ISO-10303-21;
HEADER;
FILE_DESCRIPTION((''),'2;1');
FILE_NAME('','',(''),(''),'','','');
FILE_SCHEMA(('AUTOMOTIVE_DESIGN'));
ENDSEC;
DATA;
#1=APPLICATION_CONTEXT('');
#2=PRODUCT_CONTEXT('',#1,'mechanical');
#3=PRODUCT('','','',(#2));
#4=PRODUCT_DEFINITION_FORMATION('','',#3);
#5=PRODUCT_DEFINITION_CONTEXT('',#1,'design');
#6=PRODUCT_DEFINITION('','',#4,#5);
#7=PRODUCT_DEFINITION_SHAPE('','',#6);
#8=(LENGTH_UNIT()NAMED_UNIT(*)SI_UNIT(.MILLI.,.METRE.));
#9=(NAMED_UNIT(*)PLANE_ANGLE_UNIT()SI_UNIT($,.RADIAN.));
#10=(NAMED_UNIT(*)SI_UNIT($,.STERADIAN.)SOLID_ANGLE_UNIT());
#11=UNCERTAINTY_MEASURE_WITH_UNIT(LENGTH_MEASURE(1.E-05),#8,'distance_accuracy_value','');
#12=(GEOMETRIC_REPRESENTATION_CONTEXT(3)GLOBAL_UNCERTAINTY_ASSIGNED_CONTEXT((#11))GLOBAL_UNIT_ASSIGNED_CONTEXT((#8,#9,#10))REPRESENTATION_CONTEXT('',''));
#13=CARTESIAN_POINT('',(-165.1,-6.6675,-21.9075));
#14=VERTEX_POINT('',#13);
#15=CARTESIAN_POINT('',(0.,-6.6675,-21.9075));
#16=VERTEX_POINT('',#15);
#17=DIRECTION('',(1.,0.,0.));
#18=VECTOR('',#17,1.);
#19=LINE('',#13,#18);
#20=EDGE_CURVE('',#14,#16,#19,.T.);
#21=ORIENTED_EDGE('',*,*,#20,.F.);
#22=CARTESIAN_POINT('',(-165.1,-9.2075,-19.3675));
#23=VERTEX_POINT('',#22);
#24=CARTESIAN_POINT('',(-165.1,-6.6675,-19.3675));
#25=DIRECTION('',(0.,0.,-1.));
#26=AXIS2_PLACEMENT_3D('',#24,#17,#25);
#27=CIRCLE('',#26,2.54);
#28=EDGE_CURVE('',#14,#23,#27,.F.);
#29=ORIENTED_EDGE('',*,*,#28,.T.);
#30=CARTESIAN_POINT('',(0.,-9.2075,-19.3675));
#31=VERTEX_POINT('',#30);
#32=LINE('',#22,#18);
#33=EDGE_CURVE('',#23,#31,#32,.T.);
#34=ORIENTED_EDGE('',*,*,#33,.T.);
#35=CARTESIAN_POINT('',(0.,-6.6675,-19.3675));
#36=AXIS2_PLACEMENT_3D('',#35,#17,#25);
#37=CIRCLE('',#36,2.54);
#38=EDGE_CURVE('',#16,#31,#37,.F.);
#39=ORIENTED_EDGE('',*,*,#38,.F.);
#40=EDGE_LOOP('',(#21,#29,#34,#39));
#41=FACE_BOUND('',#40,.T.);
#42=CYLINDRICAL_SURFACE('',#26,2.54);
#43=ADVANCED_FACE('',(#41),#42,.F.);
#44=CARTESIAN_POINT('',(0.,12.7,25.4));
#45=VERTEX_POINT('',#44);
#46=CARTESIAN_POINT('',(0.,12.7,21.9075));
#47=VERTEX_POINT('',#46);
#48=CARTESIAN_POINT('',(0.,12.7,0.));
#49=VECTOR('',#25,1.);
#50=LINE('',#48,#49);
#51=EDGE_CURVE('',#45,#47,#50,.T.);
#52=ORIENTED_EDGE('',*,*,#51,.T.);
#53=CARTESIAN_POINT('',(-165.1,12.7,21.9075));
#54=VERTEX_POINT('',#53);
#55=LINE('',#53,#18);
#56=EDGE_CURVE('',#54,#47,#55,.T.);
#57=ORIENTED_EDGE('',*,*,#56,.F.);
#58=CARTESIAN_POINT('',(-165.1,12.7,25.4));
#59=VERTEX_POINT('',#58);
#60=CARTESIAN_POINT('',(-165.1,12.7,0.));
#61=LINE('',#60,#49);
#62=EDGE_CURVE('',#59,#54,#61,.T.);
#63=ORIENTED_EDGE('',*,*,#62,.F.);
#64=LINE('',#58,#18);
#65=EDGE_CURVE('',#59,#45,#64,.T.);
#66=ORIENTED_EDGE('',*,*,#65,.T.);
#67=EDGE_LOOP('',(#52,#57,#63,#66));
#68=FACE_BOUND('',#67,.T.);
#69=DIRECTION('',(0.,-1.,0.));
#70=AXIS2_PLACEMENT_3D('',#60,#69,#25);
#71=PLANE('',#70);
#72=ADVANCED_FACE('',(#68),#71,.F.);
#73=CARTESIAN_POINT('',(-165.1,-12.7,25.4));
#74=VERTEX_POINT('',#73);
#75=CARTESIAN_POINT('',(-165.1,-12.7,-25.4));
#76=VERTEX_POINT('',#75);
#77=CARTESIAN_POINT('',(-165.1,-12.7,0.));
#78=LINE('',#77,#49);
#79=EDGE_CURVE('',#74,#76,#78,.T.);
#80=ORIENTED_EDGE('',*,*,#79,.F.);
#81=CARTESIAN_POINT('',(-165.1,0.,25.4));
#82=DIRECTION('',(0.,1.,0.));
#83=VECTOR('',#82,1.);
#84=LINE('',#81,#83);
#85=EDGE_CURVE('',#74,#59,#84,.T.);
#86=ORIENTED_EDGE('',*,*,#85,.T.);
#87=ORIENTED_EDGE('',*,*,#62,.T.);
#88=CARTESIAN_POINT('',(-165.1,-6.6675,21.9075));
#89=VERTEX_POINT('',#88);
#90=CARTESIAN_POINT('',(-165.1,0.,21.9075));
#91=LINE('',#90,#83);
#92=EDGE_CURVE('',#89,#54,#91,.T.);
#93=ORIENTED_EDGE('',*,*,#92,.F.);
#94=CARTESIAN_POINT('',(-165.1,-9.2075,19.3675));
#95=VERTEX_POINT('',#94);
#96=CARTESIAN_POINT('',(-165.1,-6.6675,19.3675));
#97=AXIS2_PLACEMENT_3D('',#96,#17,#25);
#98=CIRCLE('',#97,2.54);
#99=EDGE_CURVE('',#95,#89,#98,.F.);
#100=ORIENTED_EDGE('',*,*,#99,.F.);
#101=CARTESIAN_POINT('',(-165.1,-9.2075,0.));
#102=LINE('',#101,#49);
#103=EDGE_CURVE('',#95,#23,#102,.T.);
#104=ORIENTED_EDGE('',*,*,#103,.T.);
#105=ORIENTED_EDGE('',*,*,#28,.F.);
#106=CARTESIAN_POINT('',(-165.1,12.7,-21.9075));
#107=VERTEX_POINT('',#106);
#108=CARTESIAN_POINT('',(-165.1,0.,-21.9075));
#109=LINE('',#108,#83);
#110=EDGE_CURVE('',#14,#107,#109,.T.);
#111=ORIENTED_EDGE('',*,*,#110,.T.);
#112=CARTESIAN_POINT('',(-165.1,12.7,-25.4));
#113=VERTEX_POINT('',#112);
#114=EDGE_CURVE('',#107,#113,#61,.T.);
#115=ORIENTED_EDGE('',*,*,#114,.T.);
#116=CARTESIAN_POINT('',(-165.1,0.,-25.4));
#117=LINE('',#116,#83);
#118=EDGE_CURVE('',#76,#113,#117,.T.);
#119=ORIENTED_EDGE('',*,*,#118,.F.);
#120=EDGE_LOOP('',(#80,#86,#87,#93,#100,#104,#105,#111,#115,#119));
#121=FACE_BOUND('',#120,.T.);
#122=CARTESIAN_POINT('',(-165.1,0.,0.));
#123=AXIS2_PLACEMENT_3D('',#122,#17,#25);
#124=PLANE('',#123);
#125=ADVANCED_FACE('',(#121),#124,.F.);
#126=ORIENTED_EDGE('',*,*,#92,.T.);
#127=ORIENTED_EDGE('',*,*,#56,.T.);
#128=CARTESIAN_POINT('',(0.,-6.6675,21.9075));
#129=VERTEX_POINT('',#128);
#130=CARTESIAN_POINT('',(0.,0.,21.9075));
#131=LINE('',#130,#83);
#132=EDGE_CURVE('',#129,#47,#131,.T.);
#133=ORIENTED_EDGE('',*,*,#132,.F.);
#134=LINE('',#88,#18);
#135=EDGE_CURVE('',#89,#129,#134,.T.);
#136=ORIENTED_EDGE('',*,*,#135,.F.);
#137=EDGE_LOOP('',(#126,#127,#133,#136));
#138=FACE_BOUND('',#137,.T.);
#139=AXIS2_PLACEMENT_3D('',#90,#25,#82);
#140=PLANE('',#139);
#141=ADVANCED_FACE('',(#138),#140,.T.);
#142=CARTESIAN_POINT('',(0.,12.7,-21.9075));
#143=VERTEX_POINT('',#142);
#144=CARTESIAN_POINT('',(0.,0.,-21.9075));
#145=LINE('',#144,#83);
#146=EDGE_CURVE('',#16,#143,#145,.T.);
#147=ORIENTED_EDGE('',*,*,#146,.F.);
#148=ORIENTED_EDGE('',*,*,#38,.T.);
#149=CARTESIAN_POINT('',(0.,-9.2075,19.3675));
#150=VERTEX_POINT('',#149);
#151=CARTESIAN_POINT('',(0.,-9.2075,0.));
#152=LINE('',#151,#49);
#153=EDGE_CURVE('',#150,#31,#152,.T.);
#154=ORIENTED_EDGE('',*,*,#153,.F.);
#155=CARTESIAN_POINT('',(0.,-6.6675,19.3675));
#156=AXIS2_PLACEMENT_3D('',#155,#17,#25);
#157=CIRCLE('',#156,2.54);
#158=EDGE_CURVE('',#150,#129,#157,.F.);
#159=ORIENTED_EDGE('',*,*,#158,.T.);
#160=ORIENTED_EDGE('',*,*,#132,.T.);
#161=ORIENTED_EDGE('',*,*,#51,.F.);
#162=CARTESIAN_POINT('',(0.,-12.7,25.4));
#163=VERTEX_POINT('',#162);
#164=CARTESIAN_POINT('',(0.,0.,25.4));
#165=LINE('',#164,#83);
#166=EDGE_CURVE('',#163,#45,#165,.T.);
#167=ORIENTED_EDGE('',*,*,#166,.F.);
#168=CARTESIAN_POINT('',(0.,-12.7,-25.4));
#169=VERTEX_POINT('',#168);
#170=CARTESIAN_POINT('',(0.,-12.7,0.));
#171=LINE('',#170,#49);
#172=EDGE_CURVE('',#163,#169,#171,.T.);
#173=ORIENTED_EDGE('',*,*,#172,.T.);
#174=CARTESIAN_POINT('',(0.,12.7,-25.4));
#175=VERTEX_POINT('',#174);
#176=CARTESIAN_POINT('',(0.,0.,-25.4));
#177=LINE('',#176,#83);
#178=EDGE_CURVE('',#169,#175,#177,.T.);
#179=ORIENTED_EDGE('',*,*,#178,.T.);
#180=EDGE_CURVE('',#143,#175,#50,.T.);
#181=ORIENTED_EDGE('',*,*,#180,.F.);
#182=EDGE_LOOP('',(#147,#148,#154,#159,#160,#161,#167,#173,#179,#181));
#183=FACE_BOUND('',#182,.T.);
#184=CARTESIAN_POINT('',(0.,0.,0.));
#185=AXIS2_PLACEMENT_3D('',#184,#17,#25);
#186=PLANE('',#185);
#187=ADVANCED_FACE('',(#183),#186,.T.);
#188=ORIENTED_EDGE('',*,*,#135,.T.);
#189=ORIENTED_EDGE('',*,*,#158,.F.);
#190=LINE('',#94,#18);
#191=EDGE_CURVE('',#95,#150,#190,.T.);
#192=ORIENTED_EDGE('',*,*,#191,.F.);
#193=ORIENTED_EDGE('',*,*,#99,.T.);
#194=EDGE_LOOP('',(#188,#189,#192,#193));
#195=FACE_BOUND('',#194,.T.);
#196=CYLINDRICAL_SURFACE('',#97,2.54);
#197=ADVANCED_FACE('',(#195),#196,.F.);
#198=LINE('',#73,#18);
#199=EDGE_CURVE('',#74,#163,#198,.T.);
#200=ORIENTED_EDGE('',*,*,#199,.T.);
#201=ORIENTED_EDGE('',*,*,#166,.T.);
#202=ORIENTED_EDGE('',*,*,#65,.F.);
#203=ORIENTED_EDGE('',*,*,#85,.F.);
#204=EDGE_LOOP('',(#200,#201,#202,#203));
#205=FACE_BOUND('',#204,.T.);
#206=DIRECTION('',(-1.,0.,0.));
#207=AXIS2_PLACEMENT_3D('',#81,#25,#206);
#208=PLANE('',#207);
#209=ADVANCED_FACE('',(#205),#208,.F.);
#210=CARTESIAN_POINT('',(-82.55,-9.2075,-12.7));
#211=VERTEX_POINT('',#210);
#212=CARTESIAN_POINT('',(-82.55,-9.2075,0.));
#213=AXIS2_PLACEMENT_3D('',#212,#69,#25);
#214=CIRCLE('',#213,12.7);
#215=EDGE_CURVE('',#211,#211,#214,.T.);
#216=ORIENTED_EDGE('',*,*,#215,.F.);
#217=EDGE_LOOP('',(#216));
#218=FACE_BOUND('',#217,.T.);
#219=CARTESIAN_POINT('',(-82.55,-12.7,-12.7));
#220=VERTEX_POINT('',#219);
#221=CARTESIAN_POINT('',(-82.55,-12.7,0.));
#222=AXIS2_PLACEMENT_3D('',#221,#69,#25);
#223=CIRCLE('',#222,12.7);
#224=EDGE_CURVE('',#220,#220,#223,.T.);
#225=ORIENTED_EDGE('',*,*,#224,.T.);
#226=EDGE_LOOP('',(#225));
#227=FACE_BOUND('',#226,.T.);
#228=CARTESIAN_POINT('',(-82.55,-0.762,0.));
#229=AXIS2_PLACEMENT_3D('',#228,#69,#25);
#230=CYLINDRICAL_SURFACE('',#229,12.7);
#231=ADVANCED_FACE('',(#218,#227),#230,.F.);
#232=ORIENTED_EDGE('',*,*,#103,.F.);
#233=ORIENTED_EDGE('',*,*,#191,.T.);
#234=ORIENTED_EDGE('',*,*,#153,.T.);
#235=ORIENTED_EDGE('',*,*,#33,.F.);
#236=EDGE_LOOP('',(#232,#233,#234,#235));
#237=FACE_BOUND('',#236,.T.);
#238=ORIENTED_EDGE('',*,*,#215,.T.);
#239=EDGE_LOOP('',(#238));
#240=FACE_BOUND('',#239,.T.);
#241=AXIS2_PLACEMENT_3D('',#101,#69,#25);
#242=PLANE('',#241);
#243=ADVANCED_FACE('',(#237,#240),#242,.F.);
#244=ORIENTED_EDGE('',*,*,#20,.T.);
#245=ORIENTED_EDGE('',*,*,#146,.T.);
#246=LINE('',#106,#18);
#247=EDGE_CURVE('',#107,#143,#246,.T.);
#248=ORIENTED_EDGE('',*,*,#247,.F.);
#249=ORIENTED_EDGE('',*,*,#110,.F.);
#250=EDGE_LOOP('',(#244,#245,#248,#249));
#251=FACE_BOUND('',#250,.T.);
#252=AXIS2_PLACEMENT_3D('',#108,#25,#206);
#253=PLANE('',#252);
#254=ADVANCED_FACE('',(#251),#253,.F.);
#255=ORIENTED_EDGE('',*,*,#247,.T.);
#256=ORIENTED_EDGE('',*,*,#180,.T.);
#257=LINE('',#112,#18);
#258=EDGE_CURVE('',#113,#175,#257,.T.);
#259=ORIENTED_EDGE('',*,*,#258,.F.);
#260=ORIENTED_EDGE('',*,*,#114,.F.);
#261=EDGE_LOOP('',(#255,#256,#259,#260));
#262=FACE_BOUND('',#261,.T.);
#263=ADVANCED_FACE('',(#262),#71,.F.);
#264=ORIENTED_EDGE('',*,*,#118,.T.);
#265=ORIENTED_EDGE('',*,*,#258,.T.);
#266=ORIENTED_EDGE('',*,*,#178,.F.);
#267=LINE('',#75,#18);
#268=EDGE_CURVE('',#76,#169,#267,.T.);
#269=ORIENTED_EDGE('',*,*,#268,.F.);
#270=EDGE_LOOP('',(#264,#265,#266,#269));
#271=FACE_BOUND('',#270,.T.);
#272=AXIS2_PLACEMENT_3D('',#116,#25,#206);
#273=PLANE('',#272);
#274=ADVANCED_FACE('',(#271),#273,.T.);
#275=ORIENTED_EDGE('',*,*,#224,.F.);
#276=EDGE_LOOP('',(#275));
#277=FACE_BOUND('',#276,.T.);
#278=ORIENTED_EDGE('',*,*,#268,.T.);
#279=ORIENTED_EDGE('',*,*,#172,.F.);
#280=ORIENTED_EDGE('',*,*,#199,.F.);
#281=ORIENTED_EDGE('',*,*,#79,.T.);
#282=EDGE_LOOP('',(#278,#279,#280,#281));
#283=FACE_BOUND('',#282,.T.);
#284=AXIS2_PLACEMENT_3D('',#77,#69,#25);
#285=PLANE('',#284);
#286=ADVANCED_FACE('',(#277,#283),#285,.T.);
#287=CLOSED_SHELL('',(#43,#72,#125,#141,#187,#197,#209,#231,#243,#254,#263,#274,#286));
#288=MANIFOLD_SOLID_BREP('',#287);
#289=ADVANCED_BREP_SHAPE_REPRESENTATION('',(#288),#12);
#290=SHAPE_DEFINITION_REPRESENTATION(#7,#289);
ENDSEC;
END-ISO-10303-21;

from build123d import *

# Parameters (mm, degrees)
BOSS_EXTRUDE1_DEPTH = 165.1
SKETCH2_R           = 12.7
CUT_EXTRUDE1_DEPTH  = 11.938


with BuildPart() as part:
    # Sketch1 → Boss-Extrude1 (new body)
    with BuildSketch(Plane(origin=(0, 0, 0), x_dir=(0, 0, -1), z_dir=(1, 0, 0))):
        with BuildLine():
            Line((-21.9075, -6.6675), (-21.9075, 9.2075))
            Line((-21.9075, 9.2075), (-21.9075, 12.7))
            Line((-21.9075, 12.7), (-25.4, 12.7))
            Line((-25.4, 12.7), (-25.4, -12.7))
            Line((-25.4, -12.7), (25.4, -12.7))
            Line((25.4, -12.7), (25.4, 12.7))
            Line((25.4, 12.7), (21.9075, 12.7))
            Line((21.9075, 12.7), (21.9075, 9.2075))
            Line((21.9075, 9.2075), (21.9075, -6.6675))
            ThreePointArc((21.9075, -6.6675), (21.163551224, -8.463551224), (19.3675, -9.2075))
            Line((19.3675, -9.2075), (-19.3675, -9.2075))
            ThreePointArc((-19.3675, -9.2075), (-21.163551224, -8.463551224), (-21.9075, -6.6675))
        make_face()
    extrude(amount=-BOSS_EXTRUDE1_DEPTH)

    # Sketch2 → Cut-Extrude1 (cut)
    with BuildSketch(Plane.XZ.offset(12.7)):
        with Locations(Location((-82.55, 0, 0), (0, 0, 270))):
            Circle(SKETCH2_R)
    extrude(amount=-CUT_EXTRUDE1_DEPTH, mode=Mode.SUBTRACT)


solid = part.part
